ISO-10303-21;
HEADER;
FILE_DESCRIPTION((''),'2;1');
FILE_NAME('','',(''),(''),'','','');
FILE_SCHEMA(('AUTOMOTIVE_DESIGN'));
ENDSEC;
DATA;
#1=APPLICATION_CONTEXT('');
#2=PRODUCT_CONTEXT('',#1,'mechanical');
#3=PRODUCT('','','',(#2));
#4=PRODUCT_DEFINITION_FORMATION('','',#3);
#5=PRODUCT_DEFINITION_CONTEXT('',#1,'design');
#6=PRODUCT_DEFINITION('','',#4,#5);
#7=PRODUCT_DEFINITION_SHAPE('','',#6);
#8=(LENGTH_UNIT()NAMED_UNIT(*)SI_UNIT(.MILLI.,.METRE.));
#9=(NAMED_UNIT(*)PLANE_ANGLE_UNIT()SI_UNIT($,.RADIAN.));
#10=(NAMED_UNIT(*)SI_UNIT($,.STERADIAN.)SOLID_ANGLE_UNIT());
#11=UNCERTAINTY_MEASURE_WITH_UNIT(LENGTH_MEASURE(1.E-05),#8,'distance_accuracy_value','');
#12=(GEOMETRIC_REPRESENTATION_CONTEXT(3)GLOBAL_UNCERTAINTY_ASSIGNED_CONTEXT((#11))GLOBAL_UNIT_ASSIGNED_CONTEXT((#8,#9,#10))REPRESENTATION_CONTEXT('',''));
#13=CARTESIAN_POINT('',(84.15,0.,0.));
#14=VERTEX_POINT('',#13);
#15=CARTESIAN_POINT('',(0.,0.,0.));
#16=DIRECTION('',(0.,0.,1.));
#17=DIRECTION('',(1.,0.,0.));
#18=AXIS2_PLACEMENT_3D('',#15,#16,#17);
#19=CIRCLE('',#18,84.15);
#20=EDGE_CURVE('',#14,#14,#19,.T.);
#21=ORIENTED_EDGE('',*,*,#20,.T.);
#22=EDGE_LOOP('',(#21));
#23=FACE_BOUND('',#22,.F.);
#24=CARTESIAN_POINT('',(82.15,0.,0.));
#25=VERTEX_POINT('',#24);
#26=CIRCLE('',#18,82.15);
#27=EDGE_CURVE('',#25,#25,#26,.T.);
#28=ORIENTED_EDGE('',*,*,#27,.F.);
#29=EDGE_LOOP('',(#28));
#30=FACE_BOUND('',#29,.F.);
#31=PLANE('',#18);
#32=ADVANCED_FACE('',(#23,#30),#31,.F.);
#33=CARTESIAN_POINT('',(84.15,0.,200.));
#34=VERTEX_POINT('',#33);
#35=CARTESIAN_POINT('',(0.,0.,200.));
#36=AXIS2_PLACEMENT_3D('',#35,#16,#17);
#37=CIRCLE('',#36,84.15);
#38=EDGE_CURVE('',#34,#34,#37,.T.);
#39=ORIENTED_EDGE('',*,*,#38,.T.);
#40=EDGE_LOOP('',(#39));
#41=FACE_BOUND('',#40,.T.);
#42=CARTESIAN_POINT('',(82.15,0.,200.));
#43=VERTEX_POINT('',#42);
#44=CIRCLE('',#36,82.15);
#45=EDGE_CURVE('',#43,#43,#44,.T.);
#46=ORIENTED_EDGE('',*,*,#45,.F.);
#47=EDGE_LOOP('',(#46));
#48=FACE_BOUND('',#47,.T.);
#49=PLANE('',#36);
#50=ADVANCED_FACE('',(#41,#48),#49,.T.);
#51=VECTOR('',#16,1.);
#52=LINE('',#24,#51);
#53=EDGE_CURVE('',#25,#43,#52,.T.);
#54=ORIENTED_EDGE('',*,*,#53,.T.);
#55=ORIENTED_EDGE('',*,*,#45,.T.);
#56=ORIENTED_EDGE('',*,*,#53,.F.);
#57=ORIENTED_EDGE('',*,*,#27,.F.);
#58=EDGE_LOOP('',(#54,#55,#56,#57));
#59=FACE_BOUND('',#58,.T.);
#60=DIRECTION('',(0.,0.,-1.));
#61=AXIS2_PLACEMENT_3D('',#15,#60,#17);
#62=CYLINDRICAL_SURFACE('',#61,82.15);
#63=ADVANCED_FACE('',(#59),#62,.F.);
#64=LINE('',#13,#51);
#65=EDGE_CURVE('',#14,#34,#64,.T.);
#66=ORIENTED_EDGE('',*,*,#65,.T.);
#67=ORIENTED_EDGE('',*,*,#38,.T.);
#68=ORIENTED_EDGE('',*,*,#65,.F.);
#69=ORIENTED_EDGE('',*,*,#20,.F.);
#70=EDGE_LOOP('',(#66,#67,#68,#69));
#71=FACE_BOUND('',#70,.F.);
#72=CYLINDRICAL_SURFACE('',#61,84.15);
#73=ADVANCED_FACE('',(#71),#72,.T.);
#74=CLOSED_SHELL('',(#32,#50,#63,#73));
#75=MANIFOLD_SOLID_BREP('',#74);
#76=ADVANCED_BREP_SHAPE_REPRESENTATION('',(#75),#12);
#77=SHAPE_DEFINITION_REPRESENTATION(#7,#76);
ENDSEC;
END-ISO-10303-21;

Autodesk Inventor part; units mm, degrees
ref_plane "YZ Plane" through (0, 0, 0) normal (1, 0, 0) x (0, 1, 0)
ref_plane "Start plane" through (0, 0, 0) normal (0, 0, 1) x (1, 0, 0)
ref_plane "End plane" through (0, 0, 200) normal (0, 0, 1) x (1, 0, 0)
sketch "Sketch" plane through (0, 0, 0) normal (0, 0, 1) x (1, 0, 0)
  circle A0 centre (0, 0) radius 82.15
  circle A1 centre (0, 0) radius 84.15
  dimension "d0" = 168.3
  dimension "d1" = 2
extrude "Body" add sketch "Sketch" along normal up to surface (200 mm away) from surface at 0
sketch "Sketch3" plane through (0, 0, 0) normal (0, 0, 1) x (1, 0, 0)
  line L0 (0, 0) -> (10, 0)
ref_plane "Work Plane3" through (0, 0, 0) normal (0, -1, 0) x (1, 0, 0)
sketch "Sketch4" plane through (0, 0, 0) normal (0, -1, 0) x (1, 0, 0)
  line L0 (-2, 0) -> (12, 0) projected
  line L1 (-2, 200) -> (12, 200) projected
  dimension "d7" = 200
equation "\"d0\" = G_H"
equation "\"d1\" = G_T"
equation "\"d2\" = G_L"
equation "\"G_H\" = 168.3"
equation "\"G_T\" = 2"
equation "\"G_L\" = d7"
equation "\"G_OFFSET_START\" = 0"
equation "\"G_OFFSET_END\" = 0"
properties part number "MSC 712 tube" material "Stainless Steel"
